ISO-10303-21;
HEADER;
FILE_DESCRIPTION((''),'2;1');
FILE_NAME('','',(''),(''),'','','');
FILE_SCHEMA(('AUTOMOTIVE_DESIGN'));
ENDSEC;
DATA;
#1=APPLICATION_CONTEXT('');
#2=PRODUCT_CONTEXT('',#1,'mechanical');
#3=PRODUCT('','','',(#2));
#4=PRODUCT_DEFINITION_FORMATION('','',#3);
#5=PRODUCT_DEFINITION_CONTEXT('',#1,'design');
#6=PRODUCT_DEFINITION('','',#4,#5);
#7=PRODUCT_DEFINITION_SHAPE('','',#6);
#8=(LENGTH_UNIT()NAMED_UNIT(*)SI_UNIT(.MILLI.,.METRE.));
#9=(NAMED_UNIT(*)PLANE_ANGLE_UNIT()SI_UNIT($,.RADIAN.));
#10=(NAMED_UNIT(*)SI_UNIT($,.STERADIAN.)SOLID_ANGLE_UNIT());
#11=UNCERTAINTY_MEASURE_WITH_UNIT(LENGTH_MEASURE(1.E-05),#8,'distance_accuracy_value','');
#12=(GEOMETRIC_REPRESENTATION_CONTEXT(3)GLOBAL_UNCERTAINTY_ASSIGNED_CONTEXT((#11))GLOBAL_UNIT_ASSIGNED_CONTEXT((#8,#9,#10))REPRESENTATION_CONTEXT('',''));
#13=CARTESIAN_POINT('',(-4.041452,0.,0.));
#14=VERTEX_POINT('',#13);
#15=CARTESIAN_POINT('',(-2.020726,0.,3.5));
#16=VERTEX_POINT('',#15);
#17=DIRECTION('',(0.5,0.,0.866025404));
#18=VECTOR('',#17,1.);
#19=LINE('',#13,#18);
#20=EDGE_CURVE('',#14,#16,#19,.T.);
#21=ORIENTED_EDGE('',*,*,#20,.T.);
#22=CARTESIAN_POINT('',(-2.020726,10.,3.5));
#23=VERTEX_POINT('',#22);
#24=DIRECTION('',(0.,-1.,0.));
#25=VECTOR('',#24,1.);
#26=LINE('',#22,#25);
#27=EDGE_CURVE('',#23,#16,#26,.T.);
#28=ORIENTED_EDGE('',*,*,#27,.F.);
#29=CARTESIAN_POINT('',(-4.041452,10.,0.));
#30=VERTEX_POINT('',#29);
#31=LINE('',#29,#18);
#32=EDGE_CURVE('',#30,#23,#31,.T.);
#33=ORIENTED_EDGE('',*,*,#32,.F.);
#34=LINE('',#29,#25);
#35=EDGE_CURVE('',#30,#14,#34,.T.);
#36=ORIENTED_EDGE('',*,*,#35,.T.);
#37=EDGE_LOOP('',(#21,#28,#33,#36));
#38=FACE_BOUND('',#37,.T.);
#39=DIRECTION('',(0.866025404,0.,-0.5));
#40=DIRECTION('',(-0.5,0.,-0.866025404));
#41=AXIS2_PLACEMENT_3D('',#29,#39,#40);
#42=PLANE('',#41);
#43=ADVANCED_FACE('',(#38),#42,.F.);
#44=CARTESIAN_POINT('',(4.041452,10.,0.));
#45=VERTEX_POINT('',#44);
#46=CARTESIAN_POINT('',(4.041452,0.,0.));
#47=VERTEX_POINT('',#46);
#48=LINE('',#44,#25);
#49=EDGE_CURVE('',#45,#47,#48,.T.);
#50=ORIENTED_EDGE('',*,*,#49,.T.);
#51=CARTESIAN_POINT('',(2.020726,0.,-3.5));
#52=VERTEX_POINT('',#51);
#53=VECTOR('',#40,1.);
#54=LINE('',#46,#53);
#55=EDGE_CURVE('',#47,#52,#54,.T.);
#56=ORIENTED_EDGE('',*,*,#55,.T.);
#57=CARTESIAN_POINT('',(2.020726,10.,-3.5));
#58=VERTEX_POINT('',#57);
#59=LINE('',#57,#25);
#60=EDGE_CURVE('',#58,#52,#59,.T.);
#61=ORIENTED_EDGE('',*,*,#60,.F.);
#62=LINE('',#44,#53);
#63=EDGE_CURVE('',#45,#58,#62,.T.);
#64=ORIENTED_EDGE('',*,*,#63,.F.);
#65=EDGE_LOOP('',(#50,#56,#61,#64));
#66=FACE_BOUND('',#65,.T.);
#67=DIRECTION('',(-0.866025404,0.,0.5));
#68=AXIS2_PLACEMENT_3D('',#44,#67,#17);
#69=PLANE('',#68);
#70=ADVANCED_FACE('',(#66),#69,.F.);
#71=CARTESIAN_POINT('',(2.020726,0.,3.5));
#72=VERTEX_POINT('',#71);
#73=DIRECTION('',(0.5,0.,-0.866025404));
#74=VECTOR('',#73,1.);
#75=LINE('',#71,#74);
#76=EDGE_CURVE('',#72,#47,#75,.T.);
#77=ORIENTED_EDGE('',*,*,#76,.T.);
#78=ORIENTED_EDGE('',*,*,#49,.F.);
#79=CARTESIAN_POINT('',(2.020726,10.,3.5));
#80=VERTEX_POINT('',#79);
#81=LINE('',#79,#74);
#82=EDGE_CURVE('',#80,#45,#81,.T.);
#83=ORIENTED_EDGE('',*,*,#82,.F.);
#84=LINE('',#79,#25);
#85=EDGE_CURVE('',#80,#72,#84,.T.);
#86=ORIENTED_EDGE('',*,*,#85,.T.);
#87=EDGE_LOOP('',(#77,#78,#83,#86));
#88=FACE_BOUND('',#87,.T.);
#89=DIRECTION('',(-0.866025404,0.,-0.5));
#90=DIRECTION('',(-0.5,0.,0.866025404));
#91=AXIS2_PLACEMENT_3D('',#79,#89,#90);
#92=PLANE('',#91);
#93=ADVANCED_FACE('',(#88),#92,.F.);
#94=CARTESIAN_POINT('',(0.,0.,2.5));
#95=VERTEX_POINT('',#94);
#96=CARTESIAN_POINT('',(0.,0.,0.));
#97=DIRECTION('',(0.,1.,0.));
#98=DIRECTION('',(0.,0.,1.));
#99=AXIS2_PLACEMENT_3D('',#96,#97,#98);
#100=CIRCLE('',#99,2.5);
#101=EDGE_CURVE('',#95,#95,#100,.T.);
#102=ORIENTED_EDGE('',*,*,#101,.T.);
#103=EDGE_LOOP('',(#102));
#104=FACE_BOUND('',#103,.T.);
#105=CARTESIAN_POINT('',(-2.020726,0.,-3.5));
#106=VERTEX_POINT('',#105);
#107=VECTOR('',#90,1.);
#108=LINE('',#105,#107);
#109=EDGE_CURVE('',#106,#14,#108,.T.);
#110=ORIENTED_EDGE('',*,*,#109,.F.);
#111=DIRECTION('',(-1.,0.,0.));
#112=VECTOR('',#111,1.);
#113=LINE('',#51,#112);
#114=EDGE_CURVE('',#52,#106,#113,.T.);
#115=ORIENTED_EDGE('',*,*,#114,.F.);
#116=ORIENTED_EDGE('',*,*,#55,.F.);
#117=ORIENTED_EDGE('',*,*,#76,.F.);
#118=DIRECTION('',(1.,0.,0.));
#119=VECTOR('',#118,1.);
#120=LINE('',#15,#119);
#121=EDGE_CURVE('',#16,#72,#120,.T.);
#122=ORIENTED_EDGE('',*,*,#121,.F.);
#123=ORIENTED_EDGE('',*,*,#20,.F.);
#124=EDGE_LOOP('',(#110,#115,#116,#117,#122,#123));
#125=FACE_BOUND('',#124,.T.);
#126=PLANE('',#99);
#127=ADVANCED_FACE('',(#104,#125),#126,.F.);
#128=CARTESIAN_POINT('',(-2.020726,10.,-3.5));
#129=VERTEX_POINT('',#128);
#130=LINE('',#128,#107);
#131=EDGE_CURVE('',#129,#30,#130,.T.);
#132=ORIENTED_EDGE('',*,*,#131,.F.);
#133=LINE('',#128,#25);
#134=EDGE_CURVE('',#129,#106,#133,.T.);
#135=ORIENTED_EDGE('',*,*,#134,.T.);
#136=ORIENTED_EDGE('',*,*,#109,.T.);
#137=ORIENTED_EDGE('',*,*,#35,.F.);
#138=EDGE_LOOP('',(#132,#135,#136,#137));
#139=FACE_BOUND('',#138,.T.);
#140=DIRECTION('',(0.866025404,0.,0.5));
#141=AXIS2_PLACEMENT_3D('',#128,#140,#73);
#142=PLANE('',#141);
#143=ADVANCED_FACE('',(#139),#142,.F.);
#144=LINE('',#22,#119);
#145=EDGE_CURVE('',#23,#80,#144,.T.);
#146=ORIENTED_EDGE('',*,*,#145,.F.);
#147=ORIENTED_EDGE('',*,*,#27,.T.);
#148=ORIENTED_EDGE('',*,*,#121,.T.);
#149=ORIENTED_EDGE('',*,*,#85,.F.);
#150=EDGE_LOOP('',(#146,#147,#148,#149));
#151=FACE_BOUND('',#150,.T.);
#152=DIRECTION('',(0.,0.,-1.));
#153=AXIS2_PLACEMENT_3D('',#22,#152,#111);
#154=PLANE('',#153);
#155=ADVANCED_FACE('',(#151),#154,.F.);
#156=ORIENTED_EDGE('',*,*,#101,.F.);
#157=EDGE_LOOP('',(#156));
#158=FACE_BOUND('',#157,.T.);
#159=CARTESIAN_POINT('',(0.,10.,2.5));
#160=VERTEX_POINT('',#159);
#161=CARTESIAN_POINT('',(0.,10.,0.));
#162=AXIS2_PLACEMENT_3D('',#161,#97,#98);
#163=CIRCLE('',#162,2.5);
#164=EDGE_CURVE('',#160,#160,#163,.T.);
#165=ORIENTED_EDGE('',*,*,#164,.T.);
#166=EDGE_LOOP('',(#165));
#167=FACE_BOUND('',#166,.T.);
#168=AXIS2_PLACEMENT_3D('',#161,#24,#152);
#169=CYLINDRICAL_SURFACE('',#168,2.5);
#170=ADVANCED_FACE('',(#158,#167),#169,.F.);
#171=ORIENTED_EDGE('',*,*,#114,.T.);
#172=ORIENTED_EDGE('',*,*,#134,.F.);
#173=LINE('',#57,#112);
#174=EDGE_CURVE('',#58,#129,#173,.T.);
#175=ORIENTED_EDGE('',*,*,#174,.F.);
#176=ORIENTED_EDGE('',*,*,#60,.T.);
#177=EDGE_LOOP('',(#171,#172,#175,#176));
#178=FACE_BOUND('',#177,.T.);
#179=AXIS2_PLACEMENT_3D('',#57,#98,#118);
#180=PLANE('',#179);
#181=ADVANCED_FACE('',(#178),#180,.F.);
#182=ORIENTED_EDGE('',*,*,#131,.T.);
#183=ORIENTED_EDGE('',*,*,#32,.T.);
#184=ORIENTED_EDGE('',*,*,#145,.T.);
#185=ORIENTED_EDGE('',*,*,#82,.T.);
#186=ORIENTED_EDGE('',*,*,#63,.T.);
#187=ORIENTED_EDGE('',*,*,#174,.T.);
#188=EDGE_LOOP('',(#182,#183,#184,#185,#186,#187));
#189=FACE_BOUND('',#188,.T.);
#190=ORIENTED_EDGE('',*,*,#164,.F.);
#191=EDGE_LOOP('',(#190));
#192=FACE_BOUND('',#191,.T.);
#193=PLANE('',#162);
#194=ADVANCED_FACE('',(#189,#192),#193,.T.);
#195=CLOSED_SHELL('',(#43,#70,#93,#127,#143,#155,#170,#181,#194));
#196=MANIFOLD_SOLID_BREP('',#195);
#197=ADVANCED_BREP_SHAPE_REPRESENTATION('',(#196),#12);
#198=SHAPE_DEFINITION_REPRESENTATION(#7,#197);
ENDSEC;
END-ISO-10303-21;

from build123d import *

# Parameters (mm, degrees)
SKETCH_1_R      = 2.5
EXTRUDE_1_DEPTH = 10


with BuildPart() as part:
    # 草图1 → 凸台-拉伸1 (new body)
    with BuildSketch(Plane(origin=(0, 0, 0), x_dir=(1, 0, 0), z_dir=(0, 1, 0))):
        Polygon((2.020725942, 3.5), (-2.020725942, 3.5), (-4.041451884, 0), (-2.020725942, -3.5), (2.020725942, -3.5), (4.041451884, 0), align=None)
        with Locations(Location((0, 0, 0), (0, 0, 270))):
            Circle(SKETCH_1_R, mode=Mode.SUBTRACT)
    extrude(amount=EXTRUDE_1_DEPTH)


solid = part.part
